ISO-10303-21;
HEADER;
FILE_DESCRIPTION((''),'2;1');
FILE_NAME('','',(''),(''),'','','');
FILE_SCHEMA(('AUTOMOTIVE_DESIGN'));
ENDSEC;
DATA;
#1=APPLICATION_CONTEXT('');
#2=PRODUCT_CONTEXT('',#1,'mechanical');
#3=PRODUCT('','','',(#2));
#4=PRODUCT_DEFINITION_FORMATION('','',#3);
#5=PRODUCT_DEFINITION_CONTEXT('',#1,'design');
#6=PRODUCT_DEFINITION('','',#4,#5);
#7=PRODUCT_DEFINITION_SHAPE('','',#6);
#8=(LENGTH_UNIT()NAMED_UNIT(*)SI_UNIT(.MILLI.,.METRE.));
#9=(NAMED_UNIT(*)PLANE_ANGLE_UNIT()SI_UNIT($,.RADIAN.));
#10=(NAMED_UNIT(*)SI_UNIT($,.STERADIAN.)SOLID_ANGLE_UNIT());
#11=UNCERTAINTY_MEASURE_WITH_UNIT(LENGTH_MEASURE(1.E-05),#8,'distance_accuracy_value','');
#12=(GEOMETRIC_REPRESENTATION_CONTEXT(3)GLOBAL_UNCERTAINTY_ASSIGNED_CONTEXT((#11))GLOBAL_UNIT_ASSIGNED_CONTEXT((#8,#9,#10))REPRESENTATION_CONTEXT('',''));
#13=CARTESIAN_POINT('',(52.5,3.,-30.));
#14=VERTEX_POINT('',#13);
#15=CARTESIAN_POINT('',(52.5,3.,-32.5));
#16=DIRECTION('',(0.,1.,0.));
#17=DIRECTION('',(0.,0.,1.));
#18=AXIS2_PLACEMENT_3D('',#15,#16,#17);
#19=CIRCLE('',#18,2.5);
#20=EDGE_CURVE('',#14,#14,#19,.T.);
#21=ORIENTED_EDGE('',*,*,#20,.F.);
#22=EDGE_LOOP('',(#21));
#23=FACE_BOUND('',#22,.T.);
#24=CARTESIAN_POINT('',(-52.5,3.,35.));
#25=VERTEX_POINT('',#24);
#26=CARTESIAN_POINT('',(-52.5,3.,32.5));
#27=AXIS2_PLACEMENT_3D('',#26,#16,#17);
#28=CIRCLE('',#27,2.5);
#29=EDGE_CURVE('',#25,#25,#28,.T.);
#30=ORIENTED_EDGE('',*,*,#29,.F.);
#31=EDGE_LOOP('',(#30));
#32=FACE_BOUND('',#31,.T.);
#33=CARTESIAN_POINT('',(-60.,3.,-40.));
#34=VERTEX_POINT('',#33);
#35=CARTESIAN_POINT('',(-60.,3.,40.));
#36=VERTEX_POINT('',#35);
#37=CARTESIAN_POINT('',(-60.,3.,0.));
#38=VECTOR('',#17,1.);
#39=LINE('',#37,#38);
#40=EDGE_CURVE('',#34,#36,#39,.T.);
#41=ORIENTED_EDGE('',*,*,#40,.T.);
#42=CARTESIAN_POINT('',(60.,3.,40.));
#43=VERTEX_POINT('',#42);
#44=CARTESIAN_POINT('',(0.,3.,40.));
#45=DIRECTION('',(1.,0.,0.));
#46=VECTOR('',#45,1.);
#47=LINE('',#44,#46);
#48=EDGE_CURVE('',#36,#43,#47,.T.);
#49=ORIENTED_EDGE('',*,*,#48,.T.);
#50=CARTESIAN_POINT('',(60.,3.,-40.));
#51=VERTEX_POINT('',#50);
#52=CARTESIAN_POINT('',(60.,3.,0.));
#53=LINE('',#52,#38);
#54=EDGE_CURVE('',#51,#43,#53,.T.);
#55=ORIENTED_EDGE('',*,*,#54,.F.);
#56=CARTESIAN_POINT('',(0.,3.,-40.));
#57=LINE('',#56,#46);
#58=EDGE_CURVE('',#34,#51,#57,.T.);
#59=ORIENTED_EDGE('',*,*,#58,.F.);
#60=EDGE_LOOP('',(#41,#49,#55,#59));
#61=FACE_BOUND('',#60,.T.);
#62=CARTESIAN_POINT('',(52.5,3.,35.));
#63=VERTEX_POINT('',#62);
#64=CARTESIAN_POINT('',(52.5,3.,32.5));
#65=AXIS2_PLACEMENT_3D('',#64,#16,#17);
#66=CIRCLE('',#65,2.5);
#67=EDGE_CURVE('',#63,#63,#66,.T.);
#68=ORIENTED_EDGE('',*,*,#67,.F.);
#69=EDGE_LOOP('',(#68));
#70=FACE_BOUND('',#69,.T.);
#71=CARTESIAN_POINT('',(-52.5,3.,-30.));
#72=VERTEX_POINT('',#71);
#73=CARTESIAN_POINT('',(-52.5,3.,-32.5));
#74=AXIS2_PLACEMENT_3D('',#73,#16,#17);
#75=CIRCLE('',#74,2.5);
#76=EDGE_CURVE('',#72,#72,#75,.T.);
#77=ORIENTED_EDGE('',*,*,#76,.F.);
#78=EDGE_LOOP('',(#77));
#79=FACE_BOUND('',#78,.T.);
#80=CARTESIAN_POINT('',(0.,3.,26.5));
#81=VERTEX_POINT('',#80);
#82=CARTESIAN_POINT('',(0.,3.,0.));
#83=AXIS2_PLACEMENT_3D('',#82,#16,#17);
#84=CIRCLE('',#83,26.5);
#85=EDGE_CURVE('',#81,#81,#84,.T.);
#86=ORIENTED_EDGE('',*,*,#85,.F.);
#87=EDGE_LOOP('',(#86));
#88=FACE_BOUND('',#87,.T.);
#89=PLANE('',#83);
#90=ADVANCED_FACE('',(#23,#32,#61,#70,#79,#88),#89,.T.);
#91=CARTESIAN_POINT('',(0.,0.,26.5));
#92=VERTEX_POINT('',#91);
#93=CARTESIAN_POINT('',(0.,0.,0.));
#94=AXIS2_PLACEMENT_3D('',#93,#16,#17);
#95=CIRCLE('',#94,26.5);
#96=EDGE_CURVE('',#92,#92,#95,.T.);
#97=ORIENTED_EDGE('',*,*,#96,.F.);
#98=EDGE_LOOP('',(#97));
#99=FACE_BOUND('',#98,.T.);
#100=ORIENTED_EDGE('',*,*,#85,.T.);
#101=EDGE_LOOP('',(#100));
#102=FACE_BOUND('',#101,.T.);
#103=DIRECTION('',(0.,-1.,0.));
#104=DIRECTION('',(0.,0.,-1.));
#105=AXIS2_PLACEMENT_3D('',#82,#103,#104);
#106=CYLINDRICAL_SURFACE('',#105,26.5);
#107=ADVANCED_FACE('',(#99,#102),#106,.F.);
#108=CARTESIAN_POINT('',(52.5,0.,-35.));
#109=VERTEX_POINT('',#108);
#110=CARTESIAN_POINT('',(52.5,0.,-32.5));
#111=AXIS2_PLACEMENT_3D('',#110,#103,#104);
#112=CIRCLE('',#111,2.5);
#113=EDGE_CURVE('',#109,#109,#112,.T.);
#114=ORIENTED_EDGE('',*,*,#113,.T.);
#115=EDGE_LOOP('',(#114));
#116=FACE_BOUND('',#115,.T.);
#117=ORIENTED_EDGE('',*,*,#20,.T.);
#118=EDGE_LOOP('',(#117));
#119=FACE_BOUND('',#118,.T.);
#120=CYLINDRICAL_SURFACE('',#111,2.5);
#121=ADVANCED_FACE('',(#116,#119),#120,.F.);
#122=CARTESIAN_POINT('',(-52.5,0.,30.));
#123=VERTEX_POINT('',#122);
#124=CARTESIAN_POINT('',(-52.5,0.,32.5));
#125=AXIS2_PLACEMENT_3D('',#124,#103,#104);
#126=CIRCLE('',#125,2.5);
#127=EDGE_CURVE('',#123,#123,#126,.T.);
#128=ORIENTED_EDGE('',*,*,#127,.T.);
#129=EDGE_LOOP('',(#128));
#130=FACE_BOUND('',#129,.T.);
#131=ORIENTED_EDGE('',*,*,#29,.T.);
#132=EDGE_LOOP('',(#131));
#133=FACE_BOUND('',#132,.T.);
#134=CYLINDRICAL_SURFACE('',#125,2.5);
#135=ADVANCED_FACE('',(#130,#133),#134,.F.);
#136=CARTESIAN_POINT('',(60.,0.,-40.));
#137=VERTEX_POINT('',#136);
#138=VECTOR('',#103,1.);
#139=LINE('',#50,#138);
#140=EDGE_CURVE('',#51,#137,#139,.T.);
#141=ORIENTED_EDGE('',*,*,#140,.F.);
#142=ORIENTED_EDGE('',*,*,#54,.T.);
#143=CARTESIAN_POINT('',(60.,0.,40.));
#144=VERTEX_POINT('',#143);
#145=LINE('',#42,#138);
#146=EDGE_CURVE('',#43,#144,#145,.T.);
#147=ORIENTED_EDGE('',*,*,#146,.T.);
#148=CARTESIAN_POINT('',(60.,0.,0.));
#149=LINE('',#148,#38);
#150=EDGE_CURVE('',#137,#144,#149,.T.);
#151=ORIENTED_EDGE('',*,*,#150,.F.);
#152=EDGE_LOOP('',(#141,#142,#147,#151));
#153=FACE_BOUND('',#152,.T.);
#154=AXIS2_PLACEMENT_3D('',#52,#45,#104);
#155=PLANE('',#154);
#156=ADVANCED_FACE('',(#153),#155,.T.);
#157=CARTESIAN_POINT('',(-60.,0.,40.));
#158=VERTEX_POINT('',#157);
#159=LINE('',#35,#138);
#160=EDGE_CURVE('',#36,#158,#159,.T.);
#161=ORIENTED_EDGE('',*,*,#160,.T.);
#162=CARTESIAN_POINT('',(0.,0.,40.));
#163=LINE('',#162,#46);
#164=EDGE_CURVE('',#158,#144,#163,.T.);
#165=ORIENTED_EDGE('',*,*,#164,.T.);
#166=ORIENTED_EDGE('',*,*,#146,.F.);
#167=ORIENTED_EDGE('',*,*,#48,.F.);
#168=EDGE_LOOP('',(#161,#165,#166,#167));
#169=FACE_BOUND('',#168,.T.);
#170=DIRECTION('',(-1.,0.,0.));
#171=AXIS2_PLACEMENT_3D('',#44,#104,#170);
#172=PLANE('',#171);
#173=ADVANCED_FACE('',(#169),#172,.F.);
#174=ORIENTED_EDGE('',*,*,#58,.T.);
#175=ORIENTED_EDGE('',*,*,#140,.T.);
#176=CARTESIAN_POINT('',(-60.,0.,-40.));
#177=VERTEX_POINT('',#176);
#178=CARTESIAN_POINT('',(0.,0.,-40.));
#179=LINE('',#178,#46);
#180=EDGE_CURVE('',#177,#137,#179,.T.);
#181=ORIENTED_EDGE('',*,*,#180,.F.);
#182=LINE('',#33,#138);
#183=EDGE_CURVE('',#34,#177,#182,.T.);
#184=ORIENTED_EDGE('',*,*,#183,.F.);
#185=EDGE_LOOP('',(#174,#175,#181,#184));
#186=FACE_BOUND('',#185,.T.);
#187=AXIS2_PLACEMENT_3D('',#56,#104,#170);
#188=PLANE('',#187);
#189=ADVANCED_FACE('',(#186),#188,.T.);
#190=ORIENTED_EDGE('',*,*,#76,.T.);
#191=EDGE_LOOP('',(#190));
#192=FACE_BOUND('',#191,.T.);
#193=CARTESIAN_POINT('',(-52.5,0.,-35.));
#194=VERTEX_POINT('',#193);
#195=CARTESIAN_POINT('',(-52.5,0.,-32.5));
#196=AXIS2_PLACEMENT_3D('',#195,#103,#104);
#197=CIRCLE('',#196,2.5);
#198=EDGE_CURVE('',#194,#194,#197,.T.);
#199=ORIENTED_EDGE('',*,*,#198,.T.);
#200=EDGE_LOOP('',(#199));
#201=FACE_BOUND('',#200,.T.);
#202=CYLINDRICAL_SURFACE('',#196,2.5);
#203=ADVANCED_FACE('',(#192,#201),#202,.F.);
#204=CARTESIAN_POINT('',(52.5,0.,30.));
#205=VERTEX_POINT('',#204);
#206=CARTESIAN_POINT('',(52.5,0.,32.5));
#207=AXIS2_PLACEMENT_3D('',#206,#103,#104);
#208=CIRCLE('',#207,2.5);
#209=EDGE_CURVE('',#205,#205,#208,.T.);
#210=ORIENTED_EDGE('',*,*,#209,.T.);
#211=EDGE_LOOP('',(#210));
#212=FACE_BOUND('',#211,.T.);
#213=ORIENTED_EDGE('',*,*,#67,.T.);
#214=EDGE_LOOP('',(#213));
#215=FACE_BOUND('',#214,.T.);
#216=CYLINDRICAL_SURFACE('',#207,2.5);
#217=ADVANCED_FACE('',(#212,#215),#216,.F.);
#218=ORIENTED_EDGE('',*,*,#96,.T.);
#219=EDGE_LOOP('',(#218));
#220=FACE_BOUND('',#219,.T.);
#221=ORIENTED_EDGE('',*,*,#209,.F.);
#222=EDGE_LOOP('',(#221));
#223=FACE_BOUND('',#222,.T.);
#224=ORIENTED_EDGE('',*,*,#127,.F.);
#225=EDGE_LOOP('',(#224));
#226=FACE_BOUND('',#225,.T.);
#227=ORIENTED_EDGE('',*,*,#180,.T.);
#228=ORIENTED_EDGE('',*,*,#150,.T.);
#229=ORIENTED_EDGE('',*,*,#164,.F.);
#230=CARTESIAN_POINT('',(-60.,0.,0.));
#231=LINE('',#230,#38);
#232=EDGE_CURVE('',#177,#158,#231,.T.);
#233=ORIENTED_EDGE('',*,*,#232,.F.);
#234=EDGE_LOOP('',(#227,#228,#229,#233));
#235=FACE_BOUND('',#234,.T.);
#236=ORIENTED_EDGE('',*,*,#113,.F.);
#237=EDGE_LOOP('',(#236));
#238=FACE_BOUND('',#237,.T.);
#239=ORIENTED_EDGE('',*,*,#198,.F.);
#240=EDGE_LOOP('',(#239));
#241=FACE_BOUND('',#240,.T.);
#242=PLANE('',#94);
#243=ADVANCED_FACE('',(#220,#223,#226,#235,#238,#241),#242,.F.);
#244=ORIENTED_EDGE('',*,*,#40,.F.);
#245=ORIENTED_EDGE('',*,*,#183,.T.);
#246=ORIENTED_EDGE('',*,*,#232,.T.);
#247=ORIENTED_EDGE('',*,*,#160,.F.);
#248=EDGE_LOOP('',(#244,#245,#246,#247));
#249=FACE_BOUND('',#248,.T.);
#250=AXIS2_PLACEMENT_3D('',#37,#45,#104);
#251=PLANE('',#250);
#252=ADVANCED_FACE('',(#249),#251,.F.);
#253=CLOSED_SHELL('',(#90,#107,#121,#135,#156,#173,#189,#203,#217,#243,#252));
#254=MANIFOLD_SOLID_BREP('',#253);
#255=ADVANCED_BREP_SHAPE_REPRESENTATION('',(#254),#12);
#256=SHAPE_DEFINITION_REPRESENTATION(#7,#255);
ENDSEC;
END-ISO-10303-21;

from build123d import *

# Parameters (mm, degrees)
SKETCH1_R                       = 26.5
SKETCH1_W                       = 15
SKETCH1_H                       = 15
BOSS_EXTRUDE1_DEPTH             = 3
TAP_DRILL_FOR_M6X1_0_TAP1_D     = 5
TAP_DRILL_FOR_M6X1_0_TAP1_DEPTH = 3


with BuildPart() as part:
    # Sketch1 → Boss-Extrude1 (new body)
    with BuildSketch(Plane(origin=(0, 0, 0), x_dir=(1, 0, 0), z_dir=(0, 1, 0))):
        Polygon((45, 40), (-45, 40), (-45, 25), (-60, 25), (-60, -25), (-45, -25), (-45, -40), (45, -40), (45, -25), (60, -25), (60, 25), (45, 25), align=None)
        Circle(SKETCH1_R, mode=Mode.SUBTRACT)
        with Locations((52.5, -32.5)):
            Rectangle(SKETCH1_W, SKETCH1_H)
        with Locations((52.5, 32.5)):
            Rectangle(SKETCH1_W, SKETCH1_H)
        with Locations((-52.5, 32.5)):
            Rectangle(SKETCH1_W, SKETCH1_H)
        with Locations((-52.5, -32.5)):
            Rectangle(SKETCH1_W, SKETCH1_H)
    extrude(amount=BOSS_EXTRUDE1_DEPTH)

    # Tap Drill for M6x1.0 Tap1
    with Locations(Plane(origin=(0, 0, 0), x_dir=(-1, 0, 0), z_dir=(0, -1, 0))):
        with Locations((52.5, -32.5), (-52.5, -32.5), (-52.5, 32.5), (52.5, 32.5)):
            Hole(TAP_DRILL_FOR_M6X1_0_TAP1_D / 2, depth=TAP_DRILL_FOR_M6X1_0_TAP1_DEPTH)


solid = part.part
